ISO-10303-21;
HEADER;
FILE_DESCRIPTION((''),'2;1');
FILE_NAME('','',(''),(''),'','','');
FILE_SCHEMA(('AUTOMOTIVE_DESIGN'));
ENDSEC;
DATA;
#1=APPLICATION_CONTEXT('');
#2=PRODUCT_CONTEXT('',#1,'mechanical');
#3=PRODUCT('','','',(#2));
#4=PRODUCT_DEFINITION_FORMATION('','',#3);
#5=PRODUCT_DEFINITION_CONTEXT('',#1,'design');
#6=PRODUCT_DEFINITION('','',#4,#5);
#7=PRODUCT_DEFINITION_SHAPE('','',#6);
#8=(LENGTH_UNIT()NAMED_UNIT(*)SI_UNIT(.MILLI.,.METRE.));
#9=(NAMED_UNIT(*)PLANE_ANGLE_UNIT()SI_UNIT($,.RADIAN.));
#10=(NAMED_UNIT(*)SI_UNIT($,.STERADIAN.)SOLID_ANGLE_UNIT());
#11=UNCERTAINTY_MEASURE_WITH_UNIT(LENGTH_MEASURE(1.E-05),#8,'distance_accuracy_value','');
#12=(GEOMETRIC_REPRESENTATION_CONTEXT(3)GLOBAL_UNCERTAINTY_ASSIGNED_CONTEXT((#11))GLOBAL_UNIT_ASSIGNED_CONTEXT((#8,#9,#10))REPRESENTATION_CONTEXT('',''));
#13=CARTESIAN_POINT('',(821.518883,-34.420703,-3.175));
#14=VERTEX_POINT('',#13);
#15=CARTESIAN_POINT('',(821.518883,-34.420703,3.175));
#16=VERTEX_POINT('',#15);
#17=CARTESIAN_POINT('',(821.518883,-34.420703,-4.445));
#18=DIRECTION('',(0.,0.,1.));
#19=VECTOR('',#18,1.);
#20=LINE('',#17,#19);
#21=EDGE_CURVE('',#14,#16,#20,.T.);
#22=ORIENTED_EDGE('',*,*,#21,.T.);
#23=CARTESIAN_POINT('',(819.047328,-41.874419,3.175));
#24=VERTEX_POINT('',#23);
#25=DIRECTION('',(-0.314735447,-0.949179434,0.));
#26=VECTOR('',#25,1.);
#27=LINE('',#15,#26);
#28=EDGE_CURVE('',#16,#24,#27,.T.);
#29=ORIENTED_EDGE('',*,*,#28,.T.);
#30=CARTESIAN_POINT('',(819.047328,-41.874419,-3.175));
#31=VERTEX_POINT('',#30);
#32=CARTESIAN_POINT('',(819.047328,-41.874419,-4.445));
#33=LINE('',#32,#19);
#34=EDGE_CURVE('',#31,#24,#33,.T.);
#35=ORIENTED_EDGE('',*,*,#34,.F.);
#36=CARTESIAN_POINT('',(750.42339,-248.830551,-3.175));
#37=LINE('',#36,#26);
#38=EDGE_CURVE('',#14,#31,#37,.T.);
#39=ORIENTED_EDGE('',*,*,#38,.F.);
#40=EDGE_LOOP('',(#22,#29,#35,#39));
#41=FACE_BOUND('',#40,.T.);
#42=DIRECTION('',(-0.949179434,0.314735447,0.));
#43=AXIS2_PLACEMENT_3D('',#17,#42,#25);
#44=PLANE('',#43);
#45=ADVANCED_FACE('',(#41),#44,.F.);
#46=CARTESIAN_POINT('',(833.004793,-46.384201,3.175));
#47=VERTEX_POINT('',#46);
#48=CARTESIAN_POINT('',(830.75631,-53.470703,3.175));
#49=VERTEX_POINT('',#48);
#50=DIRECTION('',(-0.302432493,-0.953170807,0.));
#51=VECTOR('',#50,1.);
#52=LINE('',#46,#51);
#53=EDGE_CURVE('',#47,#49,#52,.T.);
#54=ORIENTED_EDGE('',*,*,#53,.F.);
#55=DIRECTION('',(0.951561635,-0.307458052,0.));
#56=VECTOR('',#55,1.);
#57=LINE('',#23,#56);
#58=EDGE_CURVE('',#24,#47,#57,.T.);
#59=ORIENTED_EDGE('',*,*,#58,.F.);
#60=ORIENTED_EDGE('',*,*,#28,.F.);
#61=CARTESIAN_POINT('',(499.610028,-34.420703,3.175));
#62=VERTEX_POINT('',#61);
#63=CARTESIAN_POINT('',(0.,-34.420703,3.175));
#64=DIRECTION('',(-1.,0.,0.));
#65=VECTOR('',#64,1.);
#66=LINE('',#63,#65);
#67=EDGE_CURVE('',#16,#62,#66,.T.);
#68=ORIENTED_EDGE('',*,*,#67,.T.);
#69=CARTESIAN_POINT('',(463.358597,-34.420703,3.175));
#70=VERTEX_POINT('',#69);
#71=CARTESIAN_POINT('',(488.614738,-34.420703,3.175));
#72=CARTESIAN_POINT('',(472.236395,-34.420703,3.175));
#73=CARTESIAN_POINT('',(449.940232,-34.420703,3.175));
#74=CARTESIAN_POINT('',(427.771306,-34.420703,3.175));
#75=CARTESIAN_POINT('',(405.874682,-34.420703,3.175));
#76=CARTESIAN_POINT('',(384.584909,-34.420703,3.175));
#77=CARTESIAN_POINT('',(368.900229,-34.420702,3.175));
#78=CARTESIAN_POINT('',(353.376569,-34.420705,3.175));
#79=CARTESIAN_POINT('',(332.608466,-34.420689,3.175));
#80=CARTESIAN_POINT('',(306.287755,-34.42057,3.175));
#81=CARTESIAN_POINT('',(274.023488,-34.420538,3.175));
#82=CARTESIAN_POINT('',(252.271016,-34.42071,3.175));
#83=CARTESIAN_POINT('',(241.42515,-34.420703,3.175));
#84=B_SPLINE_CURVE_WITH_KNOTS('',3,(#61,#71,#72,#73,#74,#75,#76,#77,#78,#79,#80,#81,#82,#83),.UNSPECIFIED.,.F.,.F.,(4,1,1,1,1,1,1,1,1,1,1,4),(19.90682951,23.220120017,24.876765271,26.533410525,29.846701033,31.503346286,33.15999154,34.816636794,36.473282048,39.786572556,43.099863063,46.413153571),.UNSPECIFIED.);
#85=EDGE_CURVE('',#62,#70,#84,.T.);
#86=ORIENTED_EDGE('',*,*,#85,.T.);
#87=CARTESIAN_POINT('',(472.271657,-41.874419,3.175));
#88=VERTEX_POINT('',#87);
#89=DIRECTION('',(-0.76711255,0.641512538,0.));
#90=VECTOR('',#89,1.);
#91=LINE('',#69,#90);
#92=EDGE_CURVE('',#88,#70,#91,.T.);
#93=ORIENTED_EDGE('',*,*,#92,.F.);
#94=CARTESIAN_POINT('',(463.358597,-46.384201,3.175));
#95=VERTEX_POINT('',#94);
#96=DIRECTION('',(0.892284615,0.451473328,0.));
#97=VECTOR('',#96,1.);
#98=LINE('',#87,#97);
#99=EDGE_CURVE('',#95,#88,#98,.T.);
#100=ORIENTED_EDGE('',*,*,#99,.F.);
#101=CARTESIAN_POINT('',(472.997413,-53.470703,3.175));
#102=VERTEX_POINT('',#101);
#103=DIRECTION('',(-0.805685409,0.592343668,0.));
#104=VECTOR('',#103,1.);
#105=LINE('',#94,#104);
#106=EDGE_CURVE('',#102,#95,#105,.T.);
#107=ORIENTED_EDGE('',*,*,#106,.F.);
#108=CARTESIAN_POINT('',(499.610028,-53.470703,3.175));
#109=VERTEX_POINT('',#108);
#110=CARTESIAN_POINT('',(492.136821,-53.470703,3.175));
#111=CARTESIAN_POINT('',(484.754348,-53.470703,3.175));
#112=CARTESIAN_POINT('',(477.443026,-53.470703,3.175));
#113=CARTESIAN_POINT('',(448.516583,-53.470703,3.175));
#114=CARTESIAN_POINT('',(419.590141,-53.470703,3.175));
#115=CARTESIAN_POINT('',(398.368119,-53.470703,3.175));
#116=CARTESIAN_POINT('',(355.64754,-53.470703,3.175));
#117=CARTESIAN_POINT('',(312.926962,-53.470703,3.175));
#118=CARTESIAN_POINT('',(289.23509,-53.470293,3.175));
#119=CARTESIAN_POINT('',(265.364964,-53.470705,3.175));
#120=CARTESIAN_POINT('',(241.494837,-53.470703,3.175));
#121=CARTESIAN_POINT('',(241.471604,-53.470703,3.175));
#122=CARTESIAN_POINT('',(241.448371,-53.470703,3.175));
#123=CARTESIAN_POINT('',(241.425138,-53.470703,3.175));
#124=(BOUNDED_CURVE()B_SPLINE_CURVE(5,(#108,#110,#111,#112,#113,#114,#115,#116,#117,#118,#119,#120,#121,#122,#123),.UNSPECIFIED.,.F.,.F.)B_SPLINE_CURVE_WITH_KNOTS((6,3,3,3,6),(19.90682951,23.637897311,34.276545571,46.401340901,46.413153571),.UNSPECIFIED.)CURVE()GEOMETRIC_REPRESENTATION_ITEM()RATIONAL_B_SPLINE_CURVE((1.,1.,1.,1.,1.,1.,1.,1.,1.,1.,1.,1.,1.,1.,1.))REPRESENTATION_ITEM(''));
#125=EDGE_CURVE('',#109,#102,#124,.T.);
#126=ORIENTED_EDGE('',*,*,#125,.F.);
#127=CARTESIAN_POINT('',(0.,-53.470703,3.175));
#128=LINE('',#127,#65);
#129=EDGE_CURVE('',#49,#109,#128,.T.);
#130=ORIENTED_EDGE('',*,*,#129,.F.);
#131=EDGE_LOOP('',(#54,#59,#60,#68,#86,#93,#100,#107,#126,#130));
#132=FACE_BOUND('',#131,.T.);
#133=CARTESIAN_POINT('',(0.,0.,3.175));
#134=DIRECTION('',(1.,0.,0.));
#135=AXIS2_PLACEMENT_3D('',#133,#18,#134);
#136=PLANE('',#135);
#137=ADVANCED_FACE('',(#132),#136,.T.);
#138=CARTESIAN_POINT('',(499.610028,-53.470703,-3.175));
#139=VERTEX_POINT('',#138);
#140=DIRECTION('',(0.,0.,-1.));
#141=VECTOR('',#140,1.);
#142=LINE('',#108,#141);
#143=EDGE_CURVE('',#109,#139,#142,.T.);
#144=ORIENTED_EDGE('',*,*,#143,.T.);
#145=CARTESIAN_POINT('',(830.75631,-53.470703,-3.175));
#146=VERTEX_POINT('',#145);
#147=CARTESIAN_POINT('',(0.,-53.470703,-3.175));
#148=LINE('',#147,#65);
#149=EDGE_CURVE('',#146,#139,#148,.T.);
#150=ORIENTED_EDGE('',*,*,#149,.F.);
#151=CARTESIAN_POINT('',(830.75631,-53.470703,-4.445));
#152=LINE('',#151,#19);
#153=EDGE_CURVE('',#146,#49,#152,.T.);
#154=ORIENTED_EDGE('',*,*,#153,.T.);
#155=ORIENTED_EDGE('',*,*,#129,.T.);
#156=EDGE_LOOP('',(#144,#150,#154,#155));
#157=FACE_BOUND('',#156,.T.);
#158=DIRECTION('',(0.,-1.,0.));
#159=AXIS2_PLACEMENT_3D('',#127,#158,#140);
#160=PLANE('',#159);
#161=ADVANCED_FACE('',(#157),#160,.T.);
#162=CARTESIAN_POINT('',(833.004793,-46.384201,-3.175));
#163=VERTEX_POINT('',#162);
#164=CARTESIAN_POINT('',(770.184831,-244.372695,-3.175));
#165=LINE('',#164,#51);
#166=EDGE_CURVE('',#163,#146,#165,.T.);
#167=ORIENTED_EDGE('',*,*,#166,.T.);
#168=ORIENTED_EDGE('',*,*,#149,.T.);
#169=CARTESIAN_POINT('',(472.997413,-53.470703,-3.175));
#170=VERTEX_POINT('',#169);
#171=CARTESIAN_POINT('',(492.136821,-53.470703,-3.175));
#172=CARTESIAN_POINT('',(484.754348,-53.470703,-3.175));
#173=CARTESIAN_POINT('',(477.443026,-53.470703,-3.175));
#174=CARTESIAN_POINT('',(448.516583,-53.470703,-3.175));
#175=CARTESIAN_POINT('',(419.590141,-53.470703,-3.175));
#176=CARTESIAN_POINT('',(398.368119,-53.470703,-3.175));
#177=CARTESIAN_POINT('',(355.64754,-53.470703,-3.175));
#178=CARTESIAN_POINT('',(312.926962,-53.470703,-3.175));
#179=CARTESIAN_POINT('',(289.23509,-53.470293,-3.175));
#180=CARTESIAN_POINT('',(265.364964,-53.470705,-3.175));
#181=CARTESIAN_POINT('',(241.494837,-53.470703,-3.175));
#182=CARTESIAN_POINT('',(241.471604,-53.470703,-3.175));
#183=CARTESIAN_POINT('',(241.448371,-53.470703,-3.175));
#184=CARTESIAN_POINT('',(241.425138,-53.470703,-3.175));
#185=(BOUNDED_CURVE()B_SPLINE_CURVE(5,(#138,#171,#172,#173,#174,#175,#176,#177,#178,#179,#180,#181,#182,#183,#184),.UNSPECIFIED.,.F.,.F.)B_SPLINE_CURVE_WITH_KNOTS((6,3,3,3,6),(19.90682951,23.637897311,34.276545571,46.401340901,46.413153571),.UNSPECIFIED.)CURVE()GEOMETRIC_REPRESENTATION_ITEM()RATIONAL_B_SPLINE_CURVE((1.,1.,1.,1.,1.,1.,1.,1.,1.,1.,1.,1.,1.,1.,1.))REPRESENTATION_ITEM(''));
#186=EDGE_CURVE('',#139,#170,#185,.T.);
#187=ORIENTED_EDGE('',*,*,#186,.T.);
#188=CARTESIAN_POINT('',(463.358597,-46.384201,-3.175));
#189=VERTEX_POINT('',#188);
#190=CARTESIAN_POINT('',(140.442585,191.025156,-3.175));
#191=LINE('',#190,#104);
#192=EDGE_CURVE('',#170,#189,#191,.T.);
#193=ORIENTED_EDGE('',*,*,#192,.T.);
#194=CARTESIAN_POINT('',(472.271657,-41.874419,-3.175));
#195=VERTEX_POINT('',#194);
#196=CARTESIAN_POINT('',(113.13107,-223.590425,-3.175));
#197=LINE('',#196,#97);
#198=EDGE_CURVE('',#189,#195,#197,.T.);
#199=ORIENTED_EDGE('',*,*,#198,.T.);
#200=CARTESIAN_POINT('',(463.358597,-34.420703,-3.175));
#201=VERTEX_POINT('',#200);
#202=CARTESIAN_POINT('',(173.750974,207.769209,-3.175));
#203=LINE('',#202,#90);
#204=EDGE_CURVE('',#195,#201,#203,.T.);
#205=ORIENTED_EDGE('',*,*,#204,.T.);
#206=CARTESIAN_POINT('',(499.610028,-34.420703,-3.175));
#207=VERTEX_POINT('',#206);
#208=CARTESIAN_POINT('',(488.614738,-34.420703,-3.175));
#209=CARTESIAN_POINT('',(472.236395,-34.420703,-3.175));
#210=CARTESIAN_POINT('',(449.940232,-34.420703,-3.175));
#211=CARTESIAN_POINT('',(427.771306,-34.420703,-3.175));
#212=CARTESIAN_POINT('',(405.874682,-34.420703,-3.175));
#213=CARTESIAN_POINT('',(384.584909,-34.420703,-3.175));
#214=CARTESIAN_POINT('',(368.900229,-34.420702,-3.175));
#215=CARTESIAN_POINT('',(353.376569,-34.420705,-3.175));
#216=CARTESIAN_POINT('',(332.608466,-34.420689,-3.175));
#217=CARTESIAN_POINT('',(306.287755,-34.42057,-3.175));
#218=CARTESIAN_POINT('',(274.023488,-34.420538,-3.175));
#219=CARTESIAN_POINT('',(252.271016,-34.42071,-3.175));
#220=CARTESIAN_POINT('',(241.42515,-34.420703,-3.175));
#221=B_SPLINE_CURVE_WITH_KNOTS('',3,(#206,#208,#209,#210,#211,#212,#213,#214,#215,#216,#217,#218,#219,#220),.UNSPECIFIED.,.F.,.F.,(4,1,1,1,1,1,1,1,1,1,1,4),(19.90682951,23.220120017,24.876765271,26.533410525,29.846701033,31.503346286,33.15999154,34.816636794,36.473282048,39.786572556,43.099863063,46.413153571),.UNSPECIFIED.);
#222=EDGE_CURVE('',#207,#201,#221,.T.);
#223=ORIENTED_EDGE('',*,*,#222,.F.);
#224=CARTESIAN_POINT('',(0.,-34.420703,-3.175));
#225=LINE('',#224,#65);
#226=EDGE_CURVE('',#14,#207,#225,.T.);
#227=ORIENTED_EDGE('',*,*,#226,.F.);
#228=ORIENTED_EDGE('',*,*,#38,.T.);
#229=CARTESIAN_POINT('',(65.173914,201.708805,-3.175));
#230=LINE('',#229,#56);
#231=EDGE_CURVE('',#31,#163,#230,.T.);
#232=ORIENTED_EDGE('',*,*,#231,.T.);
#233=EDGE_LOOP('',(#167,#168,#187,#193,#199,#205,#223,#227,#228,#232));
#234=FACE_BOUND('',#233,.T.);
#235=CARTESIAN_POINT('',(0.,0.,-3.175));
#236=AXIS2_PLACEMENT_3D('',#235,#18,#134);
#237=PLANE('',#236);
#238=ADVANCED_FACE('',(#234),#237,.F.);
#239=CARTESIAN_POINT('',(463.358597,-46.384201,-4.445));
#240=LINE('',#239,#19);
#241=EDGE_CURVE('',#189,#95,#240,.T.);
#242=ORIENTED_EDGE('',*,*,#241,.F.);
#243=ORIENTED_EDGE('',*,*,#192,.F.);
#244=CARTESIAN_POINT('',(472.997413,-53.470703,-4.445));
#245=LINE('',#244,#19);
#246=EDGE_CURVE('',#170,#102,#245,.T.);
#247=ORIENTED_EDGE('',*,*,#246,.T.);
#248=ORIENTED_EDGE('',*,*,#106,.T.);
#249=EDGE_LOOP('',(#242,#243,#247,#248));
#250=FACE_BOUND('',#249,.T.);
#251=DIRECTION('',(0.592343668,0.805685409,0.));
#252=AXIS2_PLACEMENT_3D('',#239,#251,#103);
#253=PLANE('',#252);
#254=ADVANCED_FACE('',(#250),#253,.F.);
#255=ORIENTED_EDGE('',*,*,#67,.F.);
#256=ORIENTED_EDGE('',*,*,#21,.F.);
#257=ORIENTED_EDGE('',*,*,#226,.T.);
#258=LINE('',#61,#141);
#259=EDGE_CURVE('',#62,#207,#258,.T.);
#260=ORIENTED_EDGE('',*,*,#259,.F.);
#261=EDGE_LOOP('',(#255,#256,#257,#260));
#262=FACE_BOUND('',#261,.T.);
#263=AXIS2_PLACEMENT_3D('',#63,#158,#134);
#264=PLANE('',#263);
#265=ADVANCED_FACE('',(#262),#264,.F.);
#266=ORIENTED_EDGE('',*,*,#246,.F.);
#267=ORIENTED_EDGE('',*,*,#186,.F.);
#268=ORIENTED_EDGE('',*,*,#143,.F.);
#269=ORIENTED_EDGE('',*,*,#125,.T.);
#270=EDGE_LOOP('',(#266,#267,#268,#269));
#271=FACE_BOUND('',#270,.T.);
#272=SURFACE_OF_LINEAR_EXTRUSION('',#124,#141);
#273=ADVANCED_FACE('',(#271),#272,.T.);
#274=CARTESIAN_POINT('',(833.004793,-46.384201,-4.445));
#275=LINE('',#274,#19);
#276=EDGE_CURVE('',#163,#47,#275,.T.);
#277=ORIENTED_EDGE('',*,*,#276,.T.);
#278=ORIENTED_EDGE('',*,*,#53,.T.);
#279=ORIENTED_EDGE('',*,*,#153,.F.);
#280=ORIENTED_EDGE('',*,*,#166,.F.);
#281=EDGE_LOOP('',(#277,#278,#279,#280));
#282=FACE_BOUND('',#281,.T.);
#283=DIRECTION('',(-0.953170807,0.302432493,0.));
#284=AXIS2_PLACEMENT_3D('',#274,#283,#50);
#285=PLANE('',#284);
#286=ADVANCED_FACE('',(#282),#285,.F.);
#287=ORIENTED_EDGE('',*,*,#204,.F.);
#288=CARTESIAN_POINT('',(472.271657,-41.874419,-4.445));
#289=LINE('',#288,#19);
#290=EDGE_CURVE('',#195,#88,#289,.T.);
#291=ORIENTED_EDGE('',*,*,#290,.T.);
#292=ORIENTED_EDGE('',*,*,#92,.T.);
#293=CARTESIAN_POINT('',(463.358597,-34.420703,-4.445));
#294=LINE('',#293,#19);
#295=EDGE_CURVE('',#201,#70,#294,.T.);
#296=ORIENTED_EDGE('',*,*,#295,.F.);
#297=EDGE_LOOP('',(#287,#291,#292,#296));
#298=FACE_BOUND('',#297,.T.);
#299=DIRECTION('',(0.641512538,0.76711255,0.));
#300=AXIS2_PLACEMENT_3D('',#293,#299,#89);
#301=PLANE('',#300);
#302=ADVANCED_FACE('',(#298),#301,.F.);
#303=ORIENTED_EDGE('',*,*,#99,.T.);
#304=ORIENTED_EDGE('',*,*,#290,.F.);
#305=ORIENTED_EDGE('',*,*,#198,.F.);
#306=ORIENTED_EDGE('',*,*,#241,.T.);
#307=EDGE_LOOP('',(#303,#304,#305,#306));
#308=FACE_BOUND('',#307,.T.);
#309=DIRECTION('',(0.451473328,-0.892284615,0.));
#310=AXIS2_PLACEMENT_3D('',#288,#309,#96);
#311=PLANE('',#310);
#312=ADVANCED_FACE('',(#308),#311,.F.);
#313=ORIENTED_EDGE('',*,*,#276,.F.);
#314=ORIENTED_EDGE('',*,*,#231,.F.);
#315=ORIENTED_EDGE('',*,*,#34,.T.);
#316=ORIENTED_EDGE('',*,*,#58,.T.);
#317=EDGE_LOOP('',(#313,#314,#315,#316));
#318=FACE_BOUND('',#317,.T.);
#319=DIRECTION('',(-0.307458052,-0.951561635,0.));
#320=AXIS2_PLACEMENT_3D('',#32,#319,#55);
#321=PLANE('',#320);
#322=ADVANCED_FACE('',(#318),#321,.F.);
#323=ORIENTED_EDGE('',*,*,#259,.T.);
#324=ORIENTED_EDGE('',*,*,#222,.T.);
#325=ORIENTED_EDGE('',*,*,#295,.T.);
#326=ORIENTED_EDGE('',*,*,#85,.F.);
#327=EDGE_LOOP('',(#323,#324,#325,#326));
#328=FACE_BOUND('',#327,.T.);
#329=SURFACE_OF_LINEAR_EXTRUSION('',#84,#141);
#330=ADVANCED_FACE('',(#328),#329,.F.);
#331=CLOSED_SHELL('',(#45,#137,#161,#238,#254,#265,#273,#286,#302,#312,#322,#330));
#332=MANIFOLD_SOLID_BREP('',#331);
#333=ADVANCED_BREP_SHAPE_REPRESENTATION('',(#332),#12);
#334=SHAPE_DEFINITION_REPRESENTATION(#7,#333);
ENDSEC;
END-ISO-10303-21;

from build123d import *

# Parameters (mm, degrees)
BOSS_EXTRUDE1_DEPTH = 3.175
CUT_EXTRUDE1_DEPTH  = 7.3500001
FILLET1_R           = 2.54
CUT_EXTRUDE2_DEPTH  = 7.62


with BuildPart() as part:
    # Sketch1 → Boss-Extrude1 (new body, symmetric)
    with BuildSketch(Plane.XY):
        with BuildLine():
            Line((499.61002795, -53.470702797), (1046.28548189, -53.470702797))
            add(Edge.make_bspline(
                [(2669.54, -9.569049356), (2615.393603553, -13.17073937), (2561.080658619, -16.536108081), (2506.205230446, -19.758621957), (2430.209106802, -23.505211705), (2354.212983157, -26.631486423), (2332.570330468, -27.480988169), (2156.268639429, -34.377768543), (1979.966947376, -41.628631248), (1824.114277635, -52.771265877), (1636.928606778, -53.579569849), (1449.742935921, -53.454024613), (1418.006730935, -53.470702797), (1324.899336146, -53.470702797), (1231.791940344, -53.470702797), (1170.441269319, -53.470702797), (1108.784075813, -53.470702797), (1047.126882346, -53.470702797), (1046.846414188, -53.470702797), (1046.565947184, -53.470702797), (1046.28548189, -53.470702797)],
                knots=[103.698913506, 103.698913506, 103.698913506, 103.698913506, 103.698913506, 103.698913506, 130.927896619, 130.927896619, 130.927896619, 141.337054719, 141.337054719, 141.337054719, 218.101815019, 218.101815019, 218.101815019, 233.772059419, 233.772059419, 233.772059419, 264.077723219, 264.077723219, 264.077723219, 264.2162088, 264.2162088, 264.2162088, 264.2162088, 264.2162088, 264.2162088], degree=5))
            Line((2669.54, -9.569049356), (2669.54, 9.5231025))
            add(Edge.make_bspline(
                [(2669.54, 9.5231025), (2667.126494524, 9.36235515), (2659.861586685, 8.880281494), (2635.666282302, 7.292469146), (2596.857665529, 4.826056853), (2545.729743039, 1.758344093), (2494.405305707, -1.098555235), (2451.533022267, -3.266573297), (2417.198316756, -4.86708361), (2391.457076919, -6.003589235), (2365.634736307, -7.086854581), (2339.546284672, -8.137729944), (2313.466132974, -9.165138371), (2287.612375486, -10.179478215), (2261.763347437, -11.201032297), (2227.285329715, -12.583842557), (2184.175569393, -14.36607236), (2132.429066114, -16.607427868), (2063.4255234, -19.708920485), (1977.174907635, -23.700543313), (1873.732451432, -28.149389221), (1770.37461881, -31.657468649), (1667.085687813, -33.793117556), (1581.011094491, -34.383188831), (1512.07397126, -34.4278026), (1443.061513477, -34.409510402), (1356.800927879, -34.424432812), (1218.794626954, -34.418464788), (1115.289022786, -34.420702797), (1046.28548189, -34.420702797)],
                knots=[103.571582669, 103.571582669, 103.571582669, 103.571582669, 104.300777207, 105.766098403, 110.877392287, 115.98868617, 121.099980054, 126.211273938, 128.76692088, 131.322567822, 133.878214764, 136.433861706, 138.989508647, 141.545155589, 144.100802531, 146.656449473, 151.767743357, 156.879037241, 161.990331124, 172.212918892, 182.43550666, 192.658094427, 202.880682195, 213.103269962, 218.214563846, 223.32585773, 233.548445497, 243.771033265, 264.2162088, 264.2162088, 264.2162088, 264.2162088], degree=3))
            Line((1046.28548189, -34.420702797), (499.61002795, -34.420702797))
            add(Edge.make_bspline(
                [(499.61002795, -34.420702797), (488.614737518, -34.420702797), (472.236395365, -34.420702798), (449.940231846, -34.420702794), (427.771305695, -34.42070281), (405.874681663, -34.420702712), (384.584909128, -34.420702942), (368.900229326, -34.420702244), (353.376568613, -34.420704862), (332.608466435, -34.420689186), (306.287754853, -34.420570006), (274.023487704, -34.420538256), (252.271015965, -34.420709741), (241.425150134, -34.420702761)],
                knots=[19.90682951, 19.90682951, 19.90682951, 19.90682951, 23.220120017, 24.876765271, 26.533410525, 29.846701033, 31.503346286, 33.15999154, 34.816636794, 36.473282048, 39.786572556, 43.099863063, 46.413153571, 46.413153571, 46.413153571, 46.413153571], degree=3))
            add(Edge.make_bspline(
                [(241.425150134, -34.420702761), (239.394928853, -34.420701455), (235.322322927, -34.420495867), (227.274423443, -34.398702533), (217.319360062, -34.297466855), (205.530690077, -33.976385563), (189.963341914, -33.212641271), (170.696984653, -31.543495194), (147.533261232, -28.314398128), (125.482753206, -24.202109872), (109.358914834, -20.622537553), (100.964116069, -18.612521054), (99.06, -18.149327722)],
                knots=[0, 0, 0, 0, 0.622088422, 1.244176844, 2.488353689, 3.732530533, 4.976707377, 7.465061066, 9.953414755, 12.441768444, 14.55823542, 15.180323842, 15.180323842, 15.180323842, 15.180323842], degree=3))
            Line((99.06, -18.149327722), (99.06, -37.741485304))
            add(Edge.make_bspline(
                [(241.425137875, -53.470702761), (224.286916993, -53.470691732), (207.149474967, -53.467315374), (190.203897513, -52.686577078), (161.734965878, -49.987457476), (133.266034188, -45.175583375), (121.749620566, -42.910592695), (110.349390726, -40.420274627), (99.06, -37.741485304)],
                knots=[0, 0, 0, 0, 0, 0, 8.71381608, 8.71381608, 8.71381608, 14.701907176, 14.701907176, 14.701907176, 14.701907176, 14.701907176, 14.701907176], degree=5))
            add(Edge.make_bspline(
                [(499.61002795, -53.470702797), (492.136820835, -53.470702797), (484.754348064, -53.470702797), (477.443025859, -53.470702797), (448.516583145, -53.470702797), (419.590140517, -53.470702797), (398.368118521, -53.470702797), (355.647540186, -53.470702797), (312.926961851, -53.470702797), (289.235090436, -53.470293029), (265.364963651, -53.470705034), (241.4948369, -53.470702789), (241.471603891, -53.470702785), (241.448370882, -53.470702776), (241.425137875, -53.470702761)],
                knots=[19.90682951, 19.90682951, 19.90682951, 19.90682951, 19.90682951, 19.90682951, 23.637897311, 23.637897311, 23.637897311, 34.276545571, 34.276545571, 34.276545571, 46.401340901, 46.401340901, 46.401340901, 46.413153571, 46.413153571, 46.413153571, 46.413153571, 46.413153571, 46.413153571], degree=5))
        make_face()
    extrude(amount=BOSS_EXTRUDE1_DEPTH, both=True)

    # Sketch2 → Cut-Extrude1 (cut, through all)
    with BuildSketch(Plane.XY.offset(3.175)):
        with BuildLine():
            add(Edge.make_bspline(
                [(2312.9875, -9.183260037), (2304.505441691, -9.516700376), (2287.441020622, -10.186250162), (2261.763347437, -11.201032297), (2228.230552004, -12.545932515), (2203.310445107, -13.575047161), (2187.00995947, -14.263260037)],
                knots=[139.04033329, 139.04033329, 139.04033329, 139.04033329, 141.545155589, 144.100802531, 146.656449473, 151.487488909, 151.487488909, 151.487488909, 151.487488909], degree=3))
            Line((2187.00995947, -14.263260037), (2312.9875, -14.263260037))
            Line((2312.9875, -14.263260037), (2312.9875, -9.183260037))
        make_face()
    extrude(amount=-CUT_EXTRUDE1_DEPTH, mode=Mode.SUBTRACT)

    # Fillet1
    fillet1_edges = [part.edges().sort_by_distance(p)[0] for p in [
        (2669.54, -9.569049356, -1.5875),
        (2669.54, 9.5231025, -1.5875),
        (99.06, -37.741485304, -1.5875),
        (99.06, -18.149327722, -1.5875),
        (2312.9875, -9.183260037, 1.5875),
        (2312.9875, -14.263260037, 0),
    ]]
    fillet(fillet1_edges, radius=FILLET1_R)

    # Sketch3 → Cut-Extrude2 (cut)
    with BuildSketch(Plane.XY.offset(3.175)):
        Polygon((463.358597157, -34.420702797), (472.271656585, -41.874419167), (463.358597157, -46.384200616), (472.997412797, -53.470702797), (65.960080016, -189.871321367), (36.237397513, 16.701322029), (463.358597157, 108.26369674), align=None)
        Polygon((821.518882755, -34.420702797), (819.047328197, -41.874419167), (833.004793216, -46.384200616), (830.756310042, -53.470702797), (830.756310042, -93.67118026), (2725.490502614, -272.22369225), (2725.490502614, 129.691463791), (821.518882755, 129.691463791), align=None)
    extrude(amount=-CUT_EXTRUDE2_DEPTH, mode=Mode.SUBTRACT)


solid = part.part
